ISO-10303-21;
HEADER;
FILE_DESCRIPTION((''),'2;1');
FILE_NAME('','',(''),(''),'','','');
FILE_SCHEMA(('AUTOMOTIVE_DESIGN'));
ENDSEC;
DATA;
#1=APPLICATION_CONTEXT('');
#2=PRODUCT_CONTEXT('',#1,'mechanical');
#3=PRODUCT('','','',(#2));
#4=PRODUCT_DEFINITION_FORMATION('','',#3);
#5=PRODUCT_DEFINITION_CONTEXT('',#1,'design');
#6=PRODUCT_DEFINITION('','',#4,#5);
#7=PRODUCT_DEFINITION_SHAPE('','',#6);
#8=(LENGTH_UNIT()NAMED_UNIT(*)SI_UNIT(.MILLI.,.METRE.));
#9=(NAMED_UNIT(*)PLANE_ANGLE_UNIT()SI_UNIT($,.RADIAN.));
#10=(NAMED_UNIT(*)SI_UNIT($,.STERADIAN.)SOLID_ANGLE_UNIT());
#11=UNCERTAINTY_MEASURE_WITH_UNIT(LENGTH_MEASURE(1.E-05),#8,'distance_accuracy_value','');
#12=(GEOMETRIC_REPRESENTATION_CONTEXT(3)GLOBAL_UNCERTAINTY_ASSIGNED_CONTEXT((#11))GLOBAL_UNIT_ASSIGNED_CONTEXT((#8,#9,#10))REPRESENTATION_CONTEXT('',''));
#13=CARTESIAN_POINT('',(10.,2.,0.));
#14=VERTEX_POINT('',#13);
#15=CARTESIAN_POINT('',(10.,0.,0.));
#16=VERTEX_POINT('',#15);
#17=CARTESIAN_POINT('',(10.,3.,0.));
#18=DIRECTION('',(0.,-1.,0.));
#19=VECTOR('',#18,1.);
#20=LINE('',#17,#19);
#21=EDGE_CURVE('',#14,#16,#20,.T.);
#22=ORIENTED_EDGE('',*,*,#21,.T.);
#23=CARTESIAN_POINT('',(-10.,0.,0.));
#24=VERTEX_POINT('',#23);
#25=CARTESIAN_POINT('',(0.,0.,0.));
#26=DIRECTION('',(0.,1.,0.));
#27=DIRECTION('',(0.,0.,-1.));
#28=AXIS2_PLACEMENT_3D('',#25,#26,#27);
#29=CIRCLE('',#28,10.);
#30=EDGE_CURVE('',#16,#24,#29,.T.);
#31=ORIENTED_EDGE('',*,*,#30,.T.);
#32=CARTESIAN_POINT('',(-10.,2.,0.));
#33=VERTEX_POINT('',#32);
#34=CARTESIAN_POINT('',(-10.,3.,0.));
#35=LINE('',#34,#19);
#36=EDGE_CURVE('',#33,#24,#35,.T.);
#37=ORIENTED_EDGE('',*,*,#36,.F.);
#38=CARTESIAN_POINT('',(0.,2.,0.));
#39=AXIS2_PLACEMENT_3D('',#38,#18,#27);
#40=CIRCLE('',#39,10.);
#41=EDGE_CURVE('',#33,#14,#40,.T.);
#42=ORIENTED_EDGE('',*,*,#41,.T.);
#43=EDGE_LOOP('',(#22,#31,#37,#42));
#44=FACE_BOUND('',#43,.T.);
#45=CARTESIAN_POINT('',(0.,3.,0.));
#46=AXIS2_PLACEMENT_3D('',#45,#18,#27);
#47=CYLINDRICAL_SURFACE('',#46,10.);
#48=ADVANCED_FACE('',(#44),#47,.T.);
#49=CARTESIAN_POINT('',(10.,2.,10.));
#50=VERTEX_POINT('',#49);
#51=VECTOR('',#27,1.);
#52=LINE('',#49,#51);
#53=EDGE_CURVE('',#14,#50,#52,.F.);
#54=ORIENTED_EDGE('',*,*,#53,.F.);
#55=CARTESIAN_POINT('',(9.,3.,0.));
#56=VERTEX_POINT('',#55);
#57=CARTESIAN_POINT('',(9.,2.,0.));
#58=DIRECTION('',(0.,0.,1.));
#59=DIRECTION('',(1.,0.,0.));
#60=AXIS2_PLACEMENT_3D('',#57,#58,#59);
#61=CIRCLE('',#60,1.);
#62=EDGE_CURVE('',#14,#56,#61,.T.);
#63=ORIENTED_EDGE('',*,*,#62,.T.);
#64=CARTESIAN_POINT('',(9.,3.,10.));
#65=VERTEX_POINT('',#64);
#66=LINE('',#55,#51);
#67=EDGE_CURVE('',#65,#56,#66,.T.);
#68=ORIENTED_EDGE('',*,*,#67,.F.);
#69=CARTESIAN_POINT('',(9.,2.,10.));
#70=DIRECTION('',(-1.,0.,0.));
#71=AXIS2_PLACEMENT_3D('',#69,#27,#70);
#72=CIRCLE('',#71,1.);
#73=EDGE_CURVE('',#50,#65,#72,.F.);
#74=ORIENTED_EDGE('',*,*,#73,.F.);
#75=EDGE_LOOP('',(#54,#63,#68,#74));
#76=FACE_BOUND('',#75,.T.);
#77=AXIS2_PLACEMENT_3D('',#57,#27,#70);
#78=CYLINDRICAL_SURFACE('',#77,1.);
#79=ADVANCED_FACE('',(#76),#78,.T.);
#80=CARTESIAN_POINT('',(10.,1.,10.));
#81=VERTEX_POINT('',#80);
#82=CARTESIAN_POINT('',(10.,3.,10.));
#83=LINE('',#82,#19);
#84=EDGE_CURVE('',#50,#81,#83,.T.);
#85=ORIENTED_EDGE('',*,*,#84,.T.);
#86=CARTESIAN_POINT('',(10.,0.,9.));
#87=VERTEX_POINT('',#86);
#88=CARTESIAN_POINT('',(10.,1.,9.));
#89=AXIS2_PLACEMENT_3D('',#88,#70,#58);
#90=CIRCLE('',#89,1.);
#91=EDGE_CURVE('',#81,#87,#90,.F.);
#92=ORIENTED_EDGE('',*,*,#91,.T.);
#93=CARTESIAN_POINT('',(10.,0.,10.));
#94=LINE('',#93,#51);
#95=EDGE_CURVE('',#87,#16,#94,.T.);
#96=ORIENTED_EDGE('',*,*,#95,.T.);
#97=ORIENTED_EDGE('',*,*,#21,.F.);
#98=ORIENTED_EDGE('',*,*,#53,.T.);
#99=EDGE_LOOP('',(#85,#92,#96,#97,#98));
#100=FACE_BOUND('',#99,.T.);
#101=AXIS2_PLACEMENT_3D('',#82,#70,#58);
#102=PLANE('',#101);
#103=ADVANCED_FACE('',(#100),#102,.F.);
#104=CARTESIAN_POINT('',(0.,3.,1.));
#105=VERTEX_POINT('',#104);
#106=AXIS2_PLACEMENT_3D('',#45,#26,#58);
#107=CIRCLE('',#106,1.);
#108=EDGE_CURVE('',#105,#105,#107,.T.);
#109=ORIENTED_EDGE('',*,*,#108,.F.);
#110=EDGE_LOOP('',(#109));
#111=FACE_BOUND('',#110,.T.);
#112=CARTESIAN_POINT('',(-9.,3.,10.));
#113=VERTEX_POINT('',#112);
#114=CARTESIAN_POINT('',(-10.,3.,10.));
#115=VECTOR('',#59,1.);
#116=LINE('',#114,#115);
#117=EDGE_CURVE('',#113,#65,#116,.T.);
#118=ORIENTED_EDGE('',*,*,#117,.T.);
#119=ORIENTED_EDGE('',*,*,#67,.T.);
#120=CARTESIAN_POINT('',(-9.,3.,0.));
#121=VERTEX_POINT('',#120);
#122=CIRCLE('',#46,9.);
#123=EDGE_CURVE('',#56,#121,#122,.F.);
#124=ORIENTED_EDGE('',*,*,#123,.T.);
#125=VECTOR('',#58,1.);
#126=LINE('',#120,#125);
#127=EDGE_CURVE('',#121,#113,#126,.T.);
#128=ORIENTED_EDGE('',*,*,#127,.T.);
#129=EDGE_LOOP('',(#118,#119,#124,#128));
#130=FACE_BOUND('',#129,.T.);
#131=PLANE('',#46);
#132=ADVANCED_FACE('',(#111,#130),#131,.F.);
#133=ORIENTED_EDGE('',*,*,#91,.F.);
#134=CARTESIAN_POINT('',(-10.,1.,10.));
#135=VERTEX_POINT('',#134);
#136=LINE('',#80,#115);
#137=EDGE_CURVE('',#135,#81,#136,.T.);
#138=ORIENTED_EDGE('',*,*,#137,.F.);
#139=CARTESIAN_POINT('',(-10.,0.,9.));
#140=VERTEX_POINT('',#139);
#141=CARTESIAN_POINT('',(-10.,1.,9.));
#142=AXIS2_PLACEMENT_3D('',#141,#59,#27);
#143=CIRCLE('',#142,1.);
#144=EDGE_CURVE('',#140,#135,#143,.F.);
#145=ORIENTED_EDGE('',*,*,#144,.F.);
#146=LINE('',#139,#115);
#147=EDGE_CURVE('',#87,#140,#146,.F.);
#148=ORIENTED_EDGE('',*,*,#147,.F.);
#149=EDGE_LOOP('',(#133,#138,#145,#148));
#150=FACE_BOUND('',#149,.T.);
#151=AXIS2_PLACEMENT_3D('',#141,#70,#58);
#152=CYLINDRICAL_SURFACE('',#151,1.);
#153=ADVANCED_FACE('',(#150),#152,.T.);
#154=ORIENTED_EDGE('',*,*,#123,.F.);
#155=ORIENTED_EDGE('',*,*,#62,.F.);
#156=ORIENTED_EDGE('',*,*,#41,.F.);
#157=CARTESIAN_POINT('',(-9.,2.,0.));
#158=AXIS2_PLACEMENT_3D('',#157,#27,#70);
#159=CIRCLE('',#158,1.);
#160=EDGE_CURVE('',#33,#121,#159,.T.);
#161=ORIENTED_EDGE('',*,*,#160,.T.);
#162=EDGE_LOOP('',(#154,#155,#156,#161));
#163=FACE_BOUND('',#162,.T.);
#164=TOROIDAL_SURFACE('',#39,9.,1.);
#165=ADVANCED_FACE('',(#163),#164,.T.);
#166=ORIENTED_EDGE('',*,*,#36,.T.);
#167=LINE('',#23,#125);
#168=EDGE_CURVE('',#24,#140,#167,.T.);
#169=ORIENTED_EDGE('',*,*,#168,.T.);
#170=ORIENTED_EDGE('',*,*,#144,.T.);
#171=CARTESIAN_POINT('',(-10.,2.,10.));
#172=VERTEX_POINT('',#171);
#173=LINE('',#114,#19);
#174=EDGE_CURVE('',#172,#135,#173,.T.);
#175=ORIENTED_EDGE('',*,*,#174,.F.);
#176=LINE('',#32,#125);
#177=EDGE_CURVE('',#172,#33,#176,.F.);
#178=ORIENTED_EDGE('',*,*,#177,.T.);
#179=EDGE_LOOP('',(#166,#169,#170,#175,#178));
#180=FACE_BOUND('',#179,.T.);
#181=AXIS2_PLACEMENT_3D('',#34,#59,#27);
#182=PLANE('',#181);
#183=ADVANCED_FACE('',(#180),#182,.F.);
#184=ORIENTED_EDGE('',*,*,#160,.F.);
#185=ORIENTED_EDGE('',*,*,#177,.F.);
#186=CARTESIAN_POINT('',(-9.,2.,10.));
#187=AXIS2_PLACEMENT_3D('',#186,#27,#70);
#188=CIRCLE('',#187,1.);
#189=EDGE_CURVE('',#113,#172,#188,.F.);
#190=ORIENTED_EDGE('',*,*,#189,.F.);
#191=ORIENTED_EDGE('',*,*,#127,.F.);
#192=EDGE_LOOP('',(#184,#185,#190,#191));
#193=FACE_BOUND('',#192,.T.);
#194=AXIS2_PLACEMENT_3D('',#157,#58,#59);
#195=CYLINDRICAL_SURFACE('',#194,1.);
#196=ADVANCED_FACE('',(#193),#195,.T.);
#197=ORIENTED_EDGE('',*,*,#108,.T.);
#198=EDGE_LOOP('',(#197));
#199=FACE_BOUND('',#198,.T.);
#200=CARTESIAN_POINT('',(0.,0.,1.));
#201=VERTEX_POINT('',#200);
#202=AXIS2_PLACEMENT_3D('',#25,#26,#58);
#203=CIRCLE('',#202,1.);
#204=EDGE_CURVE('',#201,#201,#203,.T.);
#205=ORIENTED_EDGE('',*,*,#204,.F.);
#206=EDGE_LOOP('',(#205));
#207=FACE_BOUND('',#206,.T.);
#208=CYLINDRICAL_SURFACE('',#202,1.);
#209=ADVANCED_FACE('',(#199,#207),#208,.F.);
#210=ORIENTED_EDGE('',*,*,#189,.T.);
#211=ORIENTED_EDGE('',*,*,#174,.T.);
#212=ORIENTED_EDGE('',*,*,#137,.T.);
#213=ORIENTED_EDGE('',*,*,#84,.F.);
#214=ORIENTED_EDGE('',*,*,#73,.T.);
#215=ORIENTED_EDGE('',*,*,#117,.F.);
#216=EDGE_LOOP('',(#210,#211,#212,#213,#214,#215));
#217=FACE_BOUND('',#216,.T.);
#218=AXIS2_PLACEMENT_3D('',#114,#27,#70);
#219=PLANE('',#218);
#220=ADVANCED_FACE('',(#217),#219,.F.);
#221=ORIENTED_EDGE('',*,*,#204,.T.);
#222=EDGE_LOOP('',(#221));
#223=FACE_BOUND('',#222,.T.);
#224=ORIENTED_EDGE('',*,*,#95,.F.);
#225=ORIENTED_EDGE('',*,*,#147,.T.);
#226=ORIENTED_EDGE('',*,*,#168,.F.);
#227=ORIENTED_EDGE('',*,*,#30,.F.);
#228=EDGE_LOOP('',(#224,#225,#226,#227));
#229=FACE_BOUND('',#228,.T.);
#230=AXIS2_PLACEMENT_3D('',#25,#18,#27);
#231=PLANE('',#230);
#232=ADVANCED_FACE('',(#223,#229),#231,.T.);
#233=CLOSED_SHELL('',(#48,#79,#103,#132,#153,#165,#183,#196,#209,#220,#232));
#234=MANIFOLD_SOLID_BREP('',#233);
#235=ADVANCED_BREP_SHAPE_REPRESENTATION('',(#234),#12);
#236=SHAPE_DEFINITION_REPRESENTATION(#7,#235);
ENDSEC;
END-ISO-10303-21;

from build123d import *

# Parameters (mm, degrees)
BOSS_EXTRUDE1_DEPTH = 3
SKETCH2_R           = 1
CUT_EXTRUDE1_DEPTH  = 15.456832295
FILLET1_R           = 1


with BuildPart() as part:
    # Sketch1 → Boss-Extrude1 (new body)
    with BuildSketch(Plane(origin=(0, 0, 0), x_dir=(1, 0, 0), z_dir=(0, 1, 0))):
        with BuildLine():
            Line((-10, 0), (-10, -10))
            Line((-10, -10), (10, -10))
            Line((10, -10), (10, 0))
            ThreePointArc((10, 0), (0, 10), (-10, 0))
        make_face()
    extrude(amount=BOSS_EXTRUDE1_DEPTH)

    # Sketch2 → Cut-Extrude1 (cut, through all)
    with BuildSketch(Plane(origin=(0, 3, 0), x_dir=(1, 0, 0), z_dir=(0, 1, 0))):
        with Locations(Location((0, 0, 0), (0, 0, 270))):
            Circle(SKETCH2_R)
    extrude(amount=-CUT_EXTRUDE1_DEPTH, mode=Mode.SUBTRACT)

    # Fillet1
    fillet1_edges = [part.edges().sort_by_distance(p)[0] for p in [
        (10, 3, 5),
        (0, 3, -10),
        (0, 0, 10),
        (-10, 3, 5),
    ]]
    fillet(fillet1_edges, radius=FILLET1_R)


solid = part.part
